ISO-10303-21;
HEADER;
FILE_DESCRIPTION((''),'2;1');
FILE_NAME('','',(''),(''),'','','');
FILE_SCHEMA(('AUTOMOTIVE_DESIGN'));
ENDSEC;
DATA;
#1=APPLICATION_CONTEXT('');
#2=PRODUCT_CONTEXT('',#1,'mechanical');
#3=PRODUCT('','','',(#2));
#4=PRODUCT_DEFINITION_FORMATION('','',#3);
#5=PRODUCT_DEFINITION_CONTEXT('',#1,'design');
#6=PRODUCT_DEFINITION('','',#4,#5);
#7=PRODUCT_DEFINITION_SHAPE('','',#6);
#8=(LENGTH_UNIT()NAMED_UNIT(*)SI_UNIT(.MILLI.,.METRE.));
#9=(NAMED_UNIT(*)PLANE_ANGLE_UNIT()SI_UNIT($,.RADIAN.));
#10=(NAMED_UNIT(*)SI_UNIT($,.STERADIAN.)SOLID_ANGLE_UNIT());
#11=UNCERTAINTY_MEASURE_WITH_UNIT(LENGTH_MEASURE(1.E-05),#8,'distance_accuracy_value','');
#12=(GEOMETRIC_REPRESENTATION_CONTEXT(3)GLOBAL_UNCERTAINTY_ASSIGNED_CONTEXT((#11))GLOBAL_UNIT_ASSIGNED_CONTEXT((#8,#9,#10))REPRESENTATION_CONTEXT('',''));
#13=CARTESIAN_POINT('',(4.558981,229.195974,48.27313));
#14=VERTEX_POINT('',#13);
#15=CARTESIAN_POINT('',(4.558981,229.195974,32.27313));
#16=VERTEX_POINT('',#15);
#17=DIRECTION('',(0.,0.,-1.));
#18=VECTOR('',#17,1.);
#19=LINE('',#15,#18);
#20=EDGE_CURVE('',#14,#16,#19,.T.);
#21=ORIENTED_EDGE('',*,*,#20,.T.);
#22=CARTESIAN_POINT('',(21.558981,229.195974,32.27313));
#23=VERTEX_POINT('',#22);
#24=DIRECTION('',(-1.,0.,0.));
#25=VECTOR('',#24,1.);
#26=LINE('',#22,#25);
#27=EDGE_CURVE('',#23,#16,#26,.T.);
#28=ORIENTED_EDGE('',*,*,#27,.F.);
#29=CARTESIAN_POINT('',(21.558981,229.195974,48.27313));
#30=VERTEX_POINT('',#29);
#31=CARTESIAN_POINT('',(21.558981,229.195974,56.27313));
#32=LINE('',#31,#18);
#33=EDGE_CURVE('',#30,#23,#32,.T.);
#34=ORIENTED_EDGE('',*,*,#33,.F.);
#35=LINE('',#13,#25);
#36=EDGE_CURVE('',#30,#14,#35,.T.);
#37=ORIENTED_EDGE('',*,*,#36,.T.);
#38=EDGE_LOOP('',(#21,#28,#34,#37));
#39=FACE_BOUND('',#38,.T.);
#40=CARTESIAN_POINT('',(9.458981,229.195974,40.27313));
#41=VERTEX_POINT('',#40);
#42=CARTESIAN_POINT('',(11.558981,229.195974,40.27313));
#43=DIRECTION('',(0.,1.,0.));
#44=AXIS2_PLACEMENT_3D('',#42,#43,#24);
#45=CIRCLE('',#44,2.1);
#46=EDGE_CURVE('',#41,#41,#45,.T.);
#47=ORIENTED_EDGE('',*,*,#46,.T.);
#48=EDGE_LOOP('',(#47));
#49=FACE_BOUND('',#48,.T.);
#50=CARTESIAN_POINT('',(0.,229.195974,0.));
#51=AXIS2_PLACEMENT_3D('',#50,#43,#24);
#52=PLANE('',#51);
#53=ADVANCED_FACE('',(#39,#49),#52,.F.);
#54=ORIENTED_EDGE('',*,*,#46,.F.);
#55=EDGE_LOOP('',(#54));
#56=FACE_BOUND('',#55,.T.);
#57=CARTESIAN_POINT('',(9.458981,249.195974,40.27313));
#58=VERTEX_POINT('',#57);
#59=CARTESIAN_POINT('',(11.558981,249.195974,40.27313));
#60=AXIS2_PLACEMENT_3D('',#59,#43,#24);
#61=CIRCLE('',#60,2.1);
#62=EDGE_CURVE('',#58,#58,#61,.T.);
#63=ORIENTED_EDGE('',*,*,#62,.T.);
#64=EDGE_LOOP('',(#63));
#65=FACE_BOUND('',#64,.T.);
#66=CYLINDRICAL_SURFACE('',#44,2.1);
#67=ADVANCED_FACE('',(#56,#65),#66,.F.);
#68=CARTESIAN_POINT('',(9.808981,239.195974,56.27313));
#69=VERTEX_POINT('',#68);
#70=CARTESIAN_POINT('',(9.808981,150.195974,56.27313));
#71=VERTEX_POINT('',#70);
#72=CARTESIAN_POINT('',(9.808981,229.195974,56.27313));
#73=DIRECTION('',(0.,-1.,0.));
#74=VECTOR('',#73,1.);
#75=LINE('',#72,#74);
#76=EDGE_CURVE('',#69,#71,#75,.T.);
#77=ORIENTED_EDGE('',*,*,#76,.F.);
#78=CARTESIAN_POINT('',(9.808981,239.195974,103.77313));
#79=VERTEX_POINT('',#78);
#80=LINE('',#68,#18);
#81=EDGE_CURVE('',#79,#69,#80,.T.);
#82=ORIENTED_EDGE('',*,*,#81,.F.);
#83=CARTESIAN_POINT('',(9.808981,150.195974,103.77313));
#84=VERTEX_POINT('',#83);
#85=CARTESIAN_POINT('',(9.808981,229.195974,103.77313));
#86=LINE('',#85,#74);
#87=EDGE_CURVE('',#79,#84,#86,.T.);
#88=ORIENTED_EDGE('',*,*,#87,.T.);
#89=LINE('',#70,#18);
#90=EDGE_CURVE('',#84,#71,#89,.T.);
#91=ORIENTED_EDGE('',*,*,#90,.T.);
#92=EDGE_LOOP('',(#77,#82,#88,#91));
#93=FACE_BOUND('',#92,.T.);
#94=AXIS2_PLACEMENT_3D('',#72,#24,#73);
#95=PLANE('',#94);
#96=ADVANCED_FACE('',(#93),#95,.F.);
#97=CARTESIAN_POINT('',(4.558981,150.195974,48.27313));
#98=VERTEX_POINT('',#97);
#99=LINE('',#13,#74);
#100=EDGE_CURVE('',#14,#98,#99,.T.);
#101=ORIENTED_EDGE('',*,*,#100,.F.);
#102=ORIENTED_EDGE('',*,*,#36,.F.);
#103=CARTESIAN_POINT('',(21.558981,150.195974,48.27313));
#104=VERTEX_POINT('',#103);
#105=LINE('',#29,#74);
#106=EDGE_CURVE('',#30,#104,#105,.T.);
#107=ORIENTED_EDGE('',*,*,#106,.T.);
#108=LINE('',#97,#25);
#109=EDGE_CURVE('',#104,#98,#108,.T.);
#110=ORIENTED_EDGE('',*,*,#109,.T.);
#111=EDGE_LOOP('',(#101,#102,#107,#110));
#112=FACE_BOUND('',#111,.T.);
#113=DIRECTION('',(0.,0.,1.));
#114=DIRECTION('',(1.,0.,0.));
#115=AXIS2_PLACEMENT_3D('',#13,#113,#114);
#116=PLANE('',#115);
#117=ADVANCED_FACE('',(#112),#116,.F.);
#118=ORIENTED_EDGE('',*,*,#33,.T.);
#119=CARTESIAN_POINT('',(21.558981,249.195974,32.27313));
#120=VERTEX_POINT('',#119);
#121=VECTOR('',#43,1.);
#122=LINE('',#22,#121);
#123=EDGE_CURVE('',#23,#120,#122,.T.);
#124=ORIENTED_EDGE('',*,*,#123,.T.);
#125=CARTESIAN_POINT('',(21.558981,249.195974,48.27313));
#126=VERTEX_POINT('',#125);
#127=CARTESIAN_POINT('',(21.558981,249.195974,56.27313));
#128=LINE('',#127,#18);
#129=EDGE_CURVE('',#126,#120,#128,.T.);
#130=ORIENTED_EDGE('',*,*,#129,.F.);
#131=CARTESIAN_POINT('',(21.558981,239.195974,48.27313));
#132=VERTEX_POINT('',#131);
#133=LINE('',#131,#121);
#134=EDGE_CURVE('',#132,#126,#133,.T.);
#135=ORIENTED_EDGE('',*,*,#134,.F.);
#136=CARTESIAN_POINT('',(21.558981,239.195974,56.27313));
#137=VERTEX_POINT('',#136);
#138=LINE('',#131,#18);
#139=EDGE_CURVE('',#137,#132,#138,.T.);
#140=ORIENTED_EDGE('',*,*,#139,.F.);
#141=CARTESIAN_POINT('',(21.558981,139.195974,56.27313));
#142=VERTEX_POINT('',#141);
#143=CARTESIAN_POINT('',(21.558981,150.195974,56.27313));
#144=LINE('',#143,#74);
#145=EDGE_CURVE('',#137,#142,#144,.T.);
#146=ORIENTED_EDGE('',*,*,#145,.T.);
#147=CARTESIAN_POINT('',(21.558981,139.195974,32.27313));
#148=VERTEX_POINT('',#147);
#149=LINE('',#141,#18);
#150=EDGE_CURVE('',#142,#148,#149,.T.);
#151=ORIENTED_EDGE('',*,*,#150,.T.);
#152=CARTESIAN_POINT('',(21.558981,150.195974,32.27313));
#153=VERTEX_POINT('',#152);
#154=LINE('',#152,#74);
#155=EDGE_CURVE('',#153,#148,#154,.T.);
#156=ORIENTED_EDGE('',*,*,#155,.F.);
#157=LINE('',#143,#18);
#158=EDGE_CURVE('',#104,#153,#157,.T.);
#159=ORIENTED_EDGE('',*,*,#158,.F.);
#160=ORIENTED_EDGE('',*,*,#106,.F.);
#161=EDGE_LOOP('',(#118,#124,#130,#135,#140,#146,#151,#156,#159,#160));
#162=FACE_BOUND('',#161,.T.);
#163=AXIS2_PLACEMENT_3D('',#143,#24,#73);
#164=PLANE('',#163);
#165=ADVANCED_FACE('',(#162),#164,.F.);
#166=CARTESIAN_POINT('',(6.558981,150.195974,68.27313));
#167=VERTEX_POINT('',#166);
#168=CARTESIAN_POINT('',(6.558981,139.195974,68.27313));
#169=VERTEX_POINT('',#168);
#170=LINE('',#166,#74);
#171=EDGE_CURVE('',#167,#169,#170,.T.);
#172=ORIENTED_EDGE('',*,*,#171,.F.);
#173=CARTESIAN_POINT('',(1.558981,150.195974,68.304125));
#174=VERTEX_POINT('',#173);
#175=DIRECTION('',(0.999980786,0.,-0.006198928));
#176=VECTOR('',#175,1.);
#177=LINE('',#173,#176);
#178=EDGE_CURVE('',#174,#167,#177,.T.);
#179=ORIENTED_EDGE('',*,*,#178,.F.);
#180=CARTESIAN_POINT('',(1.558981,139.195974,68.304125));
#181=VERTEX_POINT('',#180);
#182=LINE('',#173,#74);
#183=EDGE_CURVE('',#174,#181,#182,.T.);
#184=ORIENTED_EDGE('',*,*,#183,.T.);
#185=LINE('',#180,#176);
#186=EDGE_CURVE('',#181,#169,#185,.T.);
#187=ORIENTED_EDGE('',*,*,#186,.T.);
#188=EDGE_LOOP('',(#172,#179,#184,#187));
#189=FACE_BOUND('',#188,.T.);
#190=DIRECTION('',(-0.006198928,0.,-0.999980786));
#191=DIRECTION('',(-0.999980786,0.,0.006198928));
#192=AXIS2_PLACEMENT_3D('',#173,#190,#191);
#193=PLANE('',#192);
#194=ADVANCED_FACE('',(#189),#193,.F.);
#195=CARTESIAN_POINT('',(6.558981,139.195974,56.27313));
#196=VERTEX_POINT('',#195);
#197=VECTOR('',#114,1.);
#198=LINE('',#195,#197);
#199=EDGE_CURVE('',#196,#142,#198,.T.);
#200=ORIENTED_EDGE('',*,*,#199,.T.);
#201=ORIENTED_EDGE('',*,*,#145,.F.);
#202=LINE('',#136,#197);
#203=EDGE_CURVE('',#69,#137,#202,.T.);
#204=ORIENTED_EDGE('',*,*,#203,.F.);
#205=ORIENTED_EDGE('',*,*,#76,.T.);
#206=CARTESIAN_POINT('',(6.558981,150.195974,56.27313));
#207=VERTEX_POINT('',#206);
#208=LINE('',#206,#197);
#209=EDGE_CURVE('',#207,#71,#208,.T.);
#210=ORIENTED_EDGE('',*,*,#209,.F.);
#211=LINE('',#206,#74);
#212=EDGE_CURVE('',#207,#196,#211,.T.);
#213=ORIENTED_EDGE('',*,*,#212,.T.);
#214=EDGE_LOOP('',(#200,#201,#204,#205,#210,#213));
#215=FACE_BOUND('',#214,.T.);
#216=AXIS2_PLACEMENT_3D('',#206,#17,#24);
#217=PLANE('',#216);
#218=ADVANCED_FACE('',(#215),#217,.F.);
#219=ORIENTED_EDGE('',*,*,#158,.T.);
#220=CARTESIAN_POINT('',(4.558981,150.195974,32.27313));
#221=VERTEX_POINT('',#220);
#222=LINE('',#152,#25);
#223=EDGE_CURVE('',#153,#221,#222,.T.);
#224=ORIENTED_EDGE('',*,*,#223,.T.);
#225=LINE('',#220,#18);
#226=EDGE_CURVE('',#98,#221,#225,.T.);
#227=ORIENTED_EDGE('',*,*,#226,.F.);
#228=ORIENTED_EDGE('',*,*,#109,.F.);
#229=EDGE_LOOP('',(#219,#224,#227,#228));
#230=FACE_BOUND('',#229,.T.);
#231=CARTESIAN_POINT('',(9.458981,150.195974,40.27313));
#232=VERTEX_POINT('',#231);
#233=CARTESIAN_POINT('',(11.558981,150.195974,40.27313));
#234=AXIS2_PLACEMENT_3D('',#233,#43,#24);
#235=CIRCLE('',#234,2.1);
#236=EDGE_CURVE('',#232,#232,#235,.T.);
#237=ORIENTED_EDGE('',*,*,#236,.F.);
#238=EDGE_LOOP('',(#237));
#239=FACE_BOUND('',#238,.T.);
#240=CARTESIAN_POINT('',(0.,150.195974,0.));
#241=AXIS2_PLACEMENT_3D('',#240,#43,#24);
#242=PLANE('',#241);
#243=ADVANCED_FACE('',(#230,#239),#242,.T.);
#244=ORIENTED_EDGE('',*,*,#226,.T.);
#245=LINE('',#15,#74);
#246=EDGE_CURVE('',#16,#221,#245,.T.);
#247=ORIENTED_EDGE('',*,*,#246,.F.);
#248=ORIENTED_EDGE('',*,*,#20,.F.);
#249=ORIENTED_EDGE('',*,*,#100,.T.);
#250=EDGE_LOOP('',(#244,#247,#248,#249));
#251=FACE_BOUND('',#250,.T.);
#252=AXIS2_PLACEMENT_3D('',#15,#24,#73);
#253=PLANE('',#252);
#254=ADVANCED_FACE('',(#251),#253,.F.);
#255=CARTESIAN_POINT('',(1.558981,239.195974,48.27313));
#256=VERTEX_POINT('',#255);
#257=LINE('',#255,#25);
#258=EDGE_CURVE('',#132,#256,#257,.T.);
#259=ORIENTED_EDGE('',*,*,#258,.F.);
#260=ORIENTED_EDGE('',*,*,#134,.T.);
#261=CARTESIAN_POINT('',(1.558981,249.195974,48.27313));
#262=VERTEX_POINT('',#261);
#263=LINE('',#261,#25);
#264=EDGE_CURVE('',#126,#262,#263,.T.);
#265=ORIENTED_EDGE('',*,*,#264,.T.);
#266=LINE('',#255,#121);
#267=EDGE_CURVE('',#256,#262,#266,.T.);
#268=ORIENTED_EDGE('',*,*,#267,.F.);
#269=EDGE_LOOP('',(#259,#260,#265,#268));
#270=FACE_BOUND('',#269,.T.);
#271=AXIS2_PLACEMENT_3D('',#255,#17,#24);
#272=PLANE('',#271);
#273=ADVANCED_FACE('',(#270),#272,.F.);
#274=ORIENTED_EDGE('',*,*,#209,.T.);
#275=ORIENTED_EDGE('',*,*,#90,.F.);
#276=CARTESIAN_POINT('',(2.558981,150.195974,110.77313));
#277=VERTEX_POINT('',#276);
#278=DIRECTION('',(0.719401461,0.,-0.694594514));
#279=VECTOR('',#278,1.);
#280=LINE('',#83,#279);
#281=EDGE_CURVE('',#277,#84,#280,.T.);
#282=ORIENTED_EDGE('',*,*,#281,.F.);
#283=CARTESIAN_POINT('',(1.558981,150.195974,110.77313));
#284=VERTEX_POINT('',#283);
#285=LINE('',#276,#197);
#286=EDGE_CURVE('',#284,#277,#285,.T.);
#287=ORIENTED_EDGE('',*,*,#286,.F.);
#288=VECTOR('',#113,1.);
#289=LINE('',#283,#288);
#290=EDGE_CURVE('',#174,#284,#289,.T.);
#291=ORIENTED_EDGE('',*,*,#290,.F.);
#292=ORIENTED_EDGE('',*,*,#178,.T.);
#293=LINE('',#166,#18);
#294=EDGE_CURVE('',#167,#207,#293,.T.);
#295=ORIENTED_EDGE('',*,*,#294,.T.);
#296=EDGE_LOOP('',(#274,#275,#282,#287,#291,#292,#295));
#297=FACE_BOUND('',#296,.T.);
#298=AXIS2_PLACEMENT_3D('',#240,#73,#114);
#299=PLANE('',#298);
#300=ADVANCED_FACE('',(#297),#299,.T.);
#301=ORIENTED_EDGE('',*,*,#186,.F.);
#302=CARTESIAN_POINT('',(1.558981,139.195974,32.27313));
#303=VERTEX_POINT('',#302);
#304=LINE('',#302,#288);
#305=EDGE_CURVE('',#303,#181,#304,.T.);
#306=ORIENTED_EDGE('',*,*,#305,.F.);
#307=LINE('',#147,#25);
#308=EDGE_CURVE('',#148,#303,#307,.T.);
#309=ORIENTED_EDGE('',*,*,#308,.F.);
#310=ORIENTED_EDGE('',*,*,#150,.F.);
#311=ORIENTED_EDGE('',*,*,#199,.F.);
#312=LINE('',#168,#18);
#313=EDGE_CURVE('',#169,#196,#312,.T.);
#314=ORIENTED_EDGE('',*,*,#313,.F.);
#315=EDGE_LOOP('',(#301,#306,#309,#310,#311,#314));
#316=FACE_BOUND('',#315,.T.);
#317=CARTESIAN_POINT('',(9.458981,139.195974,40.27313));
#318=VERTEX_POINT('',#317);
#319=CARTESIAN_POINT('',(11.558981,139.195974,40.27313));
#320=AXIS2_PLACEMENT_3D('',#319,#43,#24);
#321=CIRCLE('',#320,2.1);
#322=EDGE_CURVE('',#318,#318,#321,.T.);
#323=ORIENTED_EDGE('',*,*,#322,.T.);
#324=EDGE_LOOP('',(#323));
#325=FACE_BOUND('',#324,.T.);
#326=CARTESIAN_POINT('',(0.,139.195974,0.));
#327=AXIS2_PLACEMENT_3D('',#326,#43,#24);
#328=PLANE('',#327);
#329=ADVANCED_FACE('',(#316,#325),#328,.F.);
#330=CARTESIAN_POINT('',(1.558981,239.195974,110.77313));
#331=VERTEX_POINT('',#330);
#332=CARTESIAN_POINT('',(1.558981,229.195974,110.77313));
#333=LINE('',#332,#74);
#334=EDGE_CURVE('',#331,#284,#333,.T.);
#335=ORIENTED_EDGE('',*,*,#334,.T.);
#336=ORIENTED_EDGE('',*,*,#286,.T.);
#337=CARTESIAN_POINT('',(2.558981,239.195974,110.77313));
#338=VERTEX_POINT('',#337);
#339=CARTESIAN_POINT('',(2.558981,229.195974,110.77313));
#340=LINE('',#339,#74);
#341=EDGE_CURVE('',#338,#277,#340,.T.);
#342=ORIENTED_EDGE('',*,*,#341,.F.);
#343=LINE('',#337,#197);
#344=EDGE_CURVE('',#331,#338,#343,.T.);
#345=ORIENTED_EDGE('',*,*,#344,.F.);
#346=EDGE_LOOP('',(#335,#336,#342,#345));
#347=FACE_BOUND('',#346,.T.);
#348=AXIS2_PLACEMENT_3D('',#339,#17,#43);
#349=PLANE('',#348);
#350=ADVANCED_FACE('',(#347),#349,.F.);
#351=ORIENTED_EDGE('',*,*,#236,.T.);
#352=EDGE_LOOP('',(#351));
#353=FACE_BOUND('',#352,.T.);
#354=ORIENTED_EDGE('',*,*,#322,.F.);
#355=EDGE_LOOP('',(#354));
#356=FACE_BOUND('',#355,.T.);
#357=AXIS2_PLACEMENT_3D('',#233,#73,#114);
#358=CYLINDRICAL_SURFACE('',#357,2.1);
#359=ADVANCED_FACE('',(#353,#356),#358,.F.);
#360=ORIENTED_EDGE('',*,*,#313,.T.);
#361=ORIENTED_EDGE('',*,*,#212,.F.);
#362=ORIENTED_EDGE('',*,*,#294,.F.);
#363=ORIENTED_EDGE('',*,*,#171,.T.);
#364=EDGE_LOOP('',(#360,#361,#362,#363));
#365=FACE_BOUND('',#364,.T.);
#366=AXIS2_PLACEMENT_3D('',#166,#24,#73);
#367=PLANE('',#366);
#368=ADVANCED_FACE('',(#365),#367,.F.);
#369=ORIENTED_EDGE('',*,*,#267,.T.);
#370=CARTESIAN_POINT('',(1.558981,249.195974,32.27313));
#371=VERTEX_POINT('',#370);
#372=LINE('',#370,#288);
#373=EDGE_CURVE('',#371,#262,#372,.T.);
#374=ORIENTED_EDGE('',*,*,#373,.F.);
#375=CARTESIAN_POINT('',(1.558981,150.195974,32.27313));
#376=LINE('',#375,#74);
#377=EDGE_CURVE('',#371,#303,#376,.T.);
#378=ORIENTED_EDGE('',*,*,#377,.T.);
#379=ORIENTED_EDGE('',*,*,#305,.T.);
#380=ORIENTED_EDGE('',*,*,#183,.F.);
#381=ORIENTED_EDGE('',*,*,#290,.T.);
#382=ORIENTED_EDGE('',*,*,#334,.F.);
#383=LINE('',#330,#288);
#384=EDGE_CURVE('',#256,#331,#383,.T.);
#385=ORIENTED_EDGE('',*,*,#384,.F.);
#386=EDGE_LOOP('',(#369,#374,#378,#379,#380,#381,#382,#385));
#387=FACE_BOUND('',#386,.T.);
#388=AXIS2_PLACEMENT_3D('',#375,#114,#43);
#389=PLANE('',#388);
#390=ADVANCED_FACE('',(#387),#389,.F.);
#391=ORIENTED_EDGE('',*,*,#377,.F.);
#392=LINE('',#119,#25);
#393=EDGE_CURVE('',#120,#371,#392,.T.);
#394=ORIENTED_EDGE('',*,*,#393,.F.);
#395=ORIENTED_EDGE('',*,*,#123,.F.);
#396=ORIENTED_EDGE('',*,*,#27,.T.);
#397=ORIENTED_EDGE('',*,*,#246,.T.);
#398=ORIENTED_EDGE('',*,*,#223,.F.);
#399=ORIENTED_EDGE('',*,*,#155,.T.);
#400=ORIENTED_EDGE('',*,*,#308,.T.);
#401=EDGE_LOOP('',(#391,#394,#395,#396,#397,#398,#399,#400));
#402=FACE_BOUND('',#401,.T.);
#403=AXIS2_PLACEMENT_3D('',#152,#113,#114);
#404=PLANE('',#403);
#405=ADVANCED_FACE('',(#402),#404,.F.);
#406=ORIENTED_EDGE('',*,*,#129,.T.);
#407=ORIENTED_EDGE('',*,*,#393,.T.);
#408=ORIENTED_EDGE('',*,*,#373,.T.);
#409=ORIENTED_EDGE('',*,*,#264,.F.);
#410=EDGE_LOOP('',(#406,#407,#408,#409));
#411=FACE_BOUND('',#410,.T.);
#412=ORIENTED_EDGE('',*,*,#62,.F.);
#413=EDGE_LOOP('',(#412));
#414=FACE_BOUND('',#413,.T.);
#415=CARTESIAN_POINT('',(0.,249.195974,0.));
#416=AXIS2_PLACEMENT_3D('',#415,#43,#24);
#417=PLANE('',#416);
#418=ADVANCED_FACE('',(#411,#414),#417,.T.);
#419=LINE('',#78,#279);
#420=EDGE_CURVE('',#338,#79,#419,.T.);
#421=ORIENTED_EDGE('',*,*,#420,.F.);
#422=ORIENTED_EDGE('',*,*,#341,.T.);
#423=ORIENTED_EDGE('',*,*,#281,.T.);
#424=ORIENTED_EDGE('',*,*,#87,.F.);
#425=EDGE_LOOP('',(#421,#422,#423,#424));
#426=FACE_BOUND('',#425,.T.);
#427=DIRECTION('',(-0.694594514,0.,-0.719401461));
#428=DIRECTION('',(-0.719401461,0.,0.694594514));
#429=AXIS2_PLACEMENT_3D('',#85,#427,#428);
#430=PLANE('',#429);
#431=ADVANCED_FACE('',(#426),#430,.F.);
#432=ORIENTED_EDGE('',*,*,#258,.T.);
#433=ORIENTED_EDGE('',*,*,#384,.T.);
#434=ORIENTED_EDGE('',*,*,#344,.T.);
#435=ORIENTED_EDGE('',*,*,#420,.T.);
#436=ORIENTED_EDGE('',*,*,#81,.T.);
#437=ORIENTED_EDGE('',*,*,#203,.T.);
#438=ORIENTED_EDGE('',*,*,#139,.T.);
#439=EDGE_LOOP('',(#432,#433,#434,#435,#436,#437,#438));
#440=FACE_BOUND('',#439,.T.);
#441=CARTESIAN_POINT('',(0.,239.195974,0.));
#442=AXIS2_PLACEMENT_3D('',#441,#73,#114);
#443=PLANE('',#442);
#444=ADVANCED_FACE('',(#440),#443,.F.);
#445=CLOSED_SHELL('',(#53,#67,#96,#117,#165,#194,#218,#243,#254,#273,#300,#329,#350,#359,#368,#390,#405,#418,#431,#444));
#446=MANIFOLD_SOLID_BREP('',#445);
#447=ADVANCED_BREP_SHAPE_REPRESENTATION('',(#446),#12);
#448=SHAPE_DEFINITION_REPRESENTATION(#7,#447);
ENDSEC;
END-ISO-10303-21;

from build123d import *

# Parameters (mm, degrees)
SKETCH_1_R          = 2.1
EXTRUDE_1_DEPTH     = 11
EXTRUDE_2_DEPTH     = 79
SKETCH_3_R          = 2.1
EXTRUDE_3_DEPTH     = 10
EXTRUDE_START       = -10
SKETCH_3_2_R        = 2.1
EXTRUDE_4_DEPTH     = 10
CUT_EXTRUDE_6_DEPTH = 10


with BuildPart() as part:
    # Эскиз1 → Бобышка-Вытянуть1 (new body)
    with BuildSketch(Plane(origin=(0, 139.195974268, 0), x_dir=(1, 0, 0), z_dir=(0, 1, 0))):
        Polygon((21.558980694, -32.273129836), (1.558980694, -32.273129836), (1.558980694, -68.304125072), (6.558980694, -68.273129836), (6.558980694, -56.273129836), (21.558980694, -56.273129836), align=None)
        with Locations((11.55898069, -40.273129836)):
            Circle(SKETCH_1_R, mode=Mode.SUBTRACT)
    extrude(amount=EXTRUDE_1_DEPTH)

    # Эскиз2 → Бобышка-Вытянуть2 (add)
    with BuildSketch(Plane(origin=(0, 150.195974268, 0), x_dir=(1, 0, 0), z_dir=(0, 1, 0))):
        Polygon((1.558980694, -32.273129836), (4.558980694, -32.273129836), (4.558980694, -48.273129836), (21.558980694, -48.273129836), (21.558980694, -56.273129836), (9.808980694, -56.273129836), (9.808980694, -103.773129836), (2.558980694, -110.773129836), (1.558980694, -110.773129836), align=None)
    extrude(amount=EXTRUDE_2_DEPTH)



with BuildPart() as body_2:
    # Эскиз3 → Бобышка-Вытянуть3 (new body)
    with BuildSketch(Plane(origin=(0, 239.195974268, 0), x_dir=(1, 0, 0), z_dir=(0, 1, 0))):
        Polygon((1.558980694, -32.273129836), (1.558980694, -110.773129836), (2.558980694, -110.773129836), (9.808980694, -103.773129836), (9.808980694, -56.273129836), (21.558980694, -56.273129836), (21.558980694, -32.273129836), align=None)
        with Locations((11.55898069, -40.273129836)):
            Circle(SKETCH_3_R, mode=Mode.SUBTRACT)
    extrude(amount=EXTRUDE_3_DEPTH)


with BuildPart() as part_1:
    add(part.part)

    add(body_2.part)  # Бобышка-Вытянуть4 merges body 2
    # Эскиз3<2> → Бобышка-Вытянуть4 (add)
    with BuildSketch(Plane(origin=(0, 239.195974268, 0), x_dir=(1, 0, 0), z_dir=(0, 1, 0)).offset(EXTRUDE_START)):
        Polygon((1.558980694, -32.273129836), (1.558980694, -110.773129836), (2.558980694, -110.773129836), (9.808980694, -103.773129836), (9.808980694, -56.273129836), (21.558980694, -56.273129836), (21.558980694, -32.273129836), align=None)
        with Locations((11.55898069, -40.273129836)):
            Circle(SKETCH_3_2_R, mode=Mode.SUBTRACT)
    extrude(amount=EXTRUDE_4_DEPTH)

    # Эскиз5 → Вырез-Вытянуть6 (cut)
    with BuildSketch(Plane(origin=(0, 249.195974268, 0), x_dir=(1, 0, 0), z_dir=(0, 1, 0))):
        Polygon((1.558980694, -110.773129836), (1.558980694, -48.273129836), (21.558980694, -48.273129836), (21.558980694, -56.273129836), (9.808980694, -56.273129836), (9.808980694, -103.773129836), (2.558980694, -110.773129836), align=None)
    extrude(amount=-CUT_EXTRUDE_6_DEPTH, mode=Mode.SUBTRACT)


solid = part_1.part
